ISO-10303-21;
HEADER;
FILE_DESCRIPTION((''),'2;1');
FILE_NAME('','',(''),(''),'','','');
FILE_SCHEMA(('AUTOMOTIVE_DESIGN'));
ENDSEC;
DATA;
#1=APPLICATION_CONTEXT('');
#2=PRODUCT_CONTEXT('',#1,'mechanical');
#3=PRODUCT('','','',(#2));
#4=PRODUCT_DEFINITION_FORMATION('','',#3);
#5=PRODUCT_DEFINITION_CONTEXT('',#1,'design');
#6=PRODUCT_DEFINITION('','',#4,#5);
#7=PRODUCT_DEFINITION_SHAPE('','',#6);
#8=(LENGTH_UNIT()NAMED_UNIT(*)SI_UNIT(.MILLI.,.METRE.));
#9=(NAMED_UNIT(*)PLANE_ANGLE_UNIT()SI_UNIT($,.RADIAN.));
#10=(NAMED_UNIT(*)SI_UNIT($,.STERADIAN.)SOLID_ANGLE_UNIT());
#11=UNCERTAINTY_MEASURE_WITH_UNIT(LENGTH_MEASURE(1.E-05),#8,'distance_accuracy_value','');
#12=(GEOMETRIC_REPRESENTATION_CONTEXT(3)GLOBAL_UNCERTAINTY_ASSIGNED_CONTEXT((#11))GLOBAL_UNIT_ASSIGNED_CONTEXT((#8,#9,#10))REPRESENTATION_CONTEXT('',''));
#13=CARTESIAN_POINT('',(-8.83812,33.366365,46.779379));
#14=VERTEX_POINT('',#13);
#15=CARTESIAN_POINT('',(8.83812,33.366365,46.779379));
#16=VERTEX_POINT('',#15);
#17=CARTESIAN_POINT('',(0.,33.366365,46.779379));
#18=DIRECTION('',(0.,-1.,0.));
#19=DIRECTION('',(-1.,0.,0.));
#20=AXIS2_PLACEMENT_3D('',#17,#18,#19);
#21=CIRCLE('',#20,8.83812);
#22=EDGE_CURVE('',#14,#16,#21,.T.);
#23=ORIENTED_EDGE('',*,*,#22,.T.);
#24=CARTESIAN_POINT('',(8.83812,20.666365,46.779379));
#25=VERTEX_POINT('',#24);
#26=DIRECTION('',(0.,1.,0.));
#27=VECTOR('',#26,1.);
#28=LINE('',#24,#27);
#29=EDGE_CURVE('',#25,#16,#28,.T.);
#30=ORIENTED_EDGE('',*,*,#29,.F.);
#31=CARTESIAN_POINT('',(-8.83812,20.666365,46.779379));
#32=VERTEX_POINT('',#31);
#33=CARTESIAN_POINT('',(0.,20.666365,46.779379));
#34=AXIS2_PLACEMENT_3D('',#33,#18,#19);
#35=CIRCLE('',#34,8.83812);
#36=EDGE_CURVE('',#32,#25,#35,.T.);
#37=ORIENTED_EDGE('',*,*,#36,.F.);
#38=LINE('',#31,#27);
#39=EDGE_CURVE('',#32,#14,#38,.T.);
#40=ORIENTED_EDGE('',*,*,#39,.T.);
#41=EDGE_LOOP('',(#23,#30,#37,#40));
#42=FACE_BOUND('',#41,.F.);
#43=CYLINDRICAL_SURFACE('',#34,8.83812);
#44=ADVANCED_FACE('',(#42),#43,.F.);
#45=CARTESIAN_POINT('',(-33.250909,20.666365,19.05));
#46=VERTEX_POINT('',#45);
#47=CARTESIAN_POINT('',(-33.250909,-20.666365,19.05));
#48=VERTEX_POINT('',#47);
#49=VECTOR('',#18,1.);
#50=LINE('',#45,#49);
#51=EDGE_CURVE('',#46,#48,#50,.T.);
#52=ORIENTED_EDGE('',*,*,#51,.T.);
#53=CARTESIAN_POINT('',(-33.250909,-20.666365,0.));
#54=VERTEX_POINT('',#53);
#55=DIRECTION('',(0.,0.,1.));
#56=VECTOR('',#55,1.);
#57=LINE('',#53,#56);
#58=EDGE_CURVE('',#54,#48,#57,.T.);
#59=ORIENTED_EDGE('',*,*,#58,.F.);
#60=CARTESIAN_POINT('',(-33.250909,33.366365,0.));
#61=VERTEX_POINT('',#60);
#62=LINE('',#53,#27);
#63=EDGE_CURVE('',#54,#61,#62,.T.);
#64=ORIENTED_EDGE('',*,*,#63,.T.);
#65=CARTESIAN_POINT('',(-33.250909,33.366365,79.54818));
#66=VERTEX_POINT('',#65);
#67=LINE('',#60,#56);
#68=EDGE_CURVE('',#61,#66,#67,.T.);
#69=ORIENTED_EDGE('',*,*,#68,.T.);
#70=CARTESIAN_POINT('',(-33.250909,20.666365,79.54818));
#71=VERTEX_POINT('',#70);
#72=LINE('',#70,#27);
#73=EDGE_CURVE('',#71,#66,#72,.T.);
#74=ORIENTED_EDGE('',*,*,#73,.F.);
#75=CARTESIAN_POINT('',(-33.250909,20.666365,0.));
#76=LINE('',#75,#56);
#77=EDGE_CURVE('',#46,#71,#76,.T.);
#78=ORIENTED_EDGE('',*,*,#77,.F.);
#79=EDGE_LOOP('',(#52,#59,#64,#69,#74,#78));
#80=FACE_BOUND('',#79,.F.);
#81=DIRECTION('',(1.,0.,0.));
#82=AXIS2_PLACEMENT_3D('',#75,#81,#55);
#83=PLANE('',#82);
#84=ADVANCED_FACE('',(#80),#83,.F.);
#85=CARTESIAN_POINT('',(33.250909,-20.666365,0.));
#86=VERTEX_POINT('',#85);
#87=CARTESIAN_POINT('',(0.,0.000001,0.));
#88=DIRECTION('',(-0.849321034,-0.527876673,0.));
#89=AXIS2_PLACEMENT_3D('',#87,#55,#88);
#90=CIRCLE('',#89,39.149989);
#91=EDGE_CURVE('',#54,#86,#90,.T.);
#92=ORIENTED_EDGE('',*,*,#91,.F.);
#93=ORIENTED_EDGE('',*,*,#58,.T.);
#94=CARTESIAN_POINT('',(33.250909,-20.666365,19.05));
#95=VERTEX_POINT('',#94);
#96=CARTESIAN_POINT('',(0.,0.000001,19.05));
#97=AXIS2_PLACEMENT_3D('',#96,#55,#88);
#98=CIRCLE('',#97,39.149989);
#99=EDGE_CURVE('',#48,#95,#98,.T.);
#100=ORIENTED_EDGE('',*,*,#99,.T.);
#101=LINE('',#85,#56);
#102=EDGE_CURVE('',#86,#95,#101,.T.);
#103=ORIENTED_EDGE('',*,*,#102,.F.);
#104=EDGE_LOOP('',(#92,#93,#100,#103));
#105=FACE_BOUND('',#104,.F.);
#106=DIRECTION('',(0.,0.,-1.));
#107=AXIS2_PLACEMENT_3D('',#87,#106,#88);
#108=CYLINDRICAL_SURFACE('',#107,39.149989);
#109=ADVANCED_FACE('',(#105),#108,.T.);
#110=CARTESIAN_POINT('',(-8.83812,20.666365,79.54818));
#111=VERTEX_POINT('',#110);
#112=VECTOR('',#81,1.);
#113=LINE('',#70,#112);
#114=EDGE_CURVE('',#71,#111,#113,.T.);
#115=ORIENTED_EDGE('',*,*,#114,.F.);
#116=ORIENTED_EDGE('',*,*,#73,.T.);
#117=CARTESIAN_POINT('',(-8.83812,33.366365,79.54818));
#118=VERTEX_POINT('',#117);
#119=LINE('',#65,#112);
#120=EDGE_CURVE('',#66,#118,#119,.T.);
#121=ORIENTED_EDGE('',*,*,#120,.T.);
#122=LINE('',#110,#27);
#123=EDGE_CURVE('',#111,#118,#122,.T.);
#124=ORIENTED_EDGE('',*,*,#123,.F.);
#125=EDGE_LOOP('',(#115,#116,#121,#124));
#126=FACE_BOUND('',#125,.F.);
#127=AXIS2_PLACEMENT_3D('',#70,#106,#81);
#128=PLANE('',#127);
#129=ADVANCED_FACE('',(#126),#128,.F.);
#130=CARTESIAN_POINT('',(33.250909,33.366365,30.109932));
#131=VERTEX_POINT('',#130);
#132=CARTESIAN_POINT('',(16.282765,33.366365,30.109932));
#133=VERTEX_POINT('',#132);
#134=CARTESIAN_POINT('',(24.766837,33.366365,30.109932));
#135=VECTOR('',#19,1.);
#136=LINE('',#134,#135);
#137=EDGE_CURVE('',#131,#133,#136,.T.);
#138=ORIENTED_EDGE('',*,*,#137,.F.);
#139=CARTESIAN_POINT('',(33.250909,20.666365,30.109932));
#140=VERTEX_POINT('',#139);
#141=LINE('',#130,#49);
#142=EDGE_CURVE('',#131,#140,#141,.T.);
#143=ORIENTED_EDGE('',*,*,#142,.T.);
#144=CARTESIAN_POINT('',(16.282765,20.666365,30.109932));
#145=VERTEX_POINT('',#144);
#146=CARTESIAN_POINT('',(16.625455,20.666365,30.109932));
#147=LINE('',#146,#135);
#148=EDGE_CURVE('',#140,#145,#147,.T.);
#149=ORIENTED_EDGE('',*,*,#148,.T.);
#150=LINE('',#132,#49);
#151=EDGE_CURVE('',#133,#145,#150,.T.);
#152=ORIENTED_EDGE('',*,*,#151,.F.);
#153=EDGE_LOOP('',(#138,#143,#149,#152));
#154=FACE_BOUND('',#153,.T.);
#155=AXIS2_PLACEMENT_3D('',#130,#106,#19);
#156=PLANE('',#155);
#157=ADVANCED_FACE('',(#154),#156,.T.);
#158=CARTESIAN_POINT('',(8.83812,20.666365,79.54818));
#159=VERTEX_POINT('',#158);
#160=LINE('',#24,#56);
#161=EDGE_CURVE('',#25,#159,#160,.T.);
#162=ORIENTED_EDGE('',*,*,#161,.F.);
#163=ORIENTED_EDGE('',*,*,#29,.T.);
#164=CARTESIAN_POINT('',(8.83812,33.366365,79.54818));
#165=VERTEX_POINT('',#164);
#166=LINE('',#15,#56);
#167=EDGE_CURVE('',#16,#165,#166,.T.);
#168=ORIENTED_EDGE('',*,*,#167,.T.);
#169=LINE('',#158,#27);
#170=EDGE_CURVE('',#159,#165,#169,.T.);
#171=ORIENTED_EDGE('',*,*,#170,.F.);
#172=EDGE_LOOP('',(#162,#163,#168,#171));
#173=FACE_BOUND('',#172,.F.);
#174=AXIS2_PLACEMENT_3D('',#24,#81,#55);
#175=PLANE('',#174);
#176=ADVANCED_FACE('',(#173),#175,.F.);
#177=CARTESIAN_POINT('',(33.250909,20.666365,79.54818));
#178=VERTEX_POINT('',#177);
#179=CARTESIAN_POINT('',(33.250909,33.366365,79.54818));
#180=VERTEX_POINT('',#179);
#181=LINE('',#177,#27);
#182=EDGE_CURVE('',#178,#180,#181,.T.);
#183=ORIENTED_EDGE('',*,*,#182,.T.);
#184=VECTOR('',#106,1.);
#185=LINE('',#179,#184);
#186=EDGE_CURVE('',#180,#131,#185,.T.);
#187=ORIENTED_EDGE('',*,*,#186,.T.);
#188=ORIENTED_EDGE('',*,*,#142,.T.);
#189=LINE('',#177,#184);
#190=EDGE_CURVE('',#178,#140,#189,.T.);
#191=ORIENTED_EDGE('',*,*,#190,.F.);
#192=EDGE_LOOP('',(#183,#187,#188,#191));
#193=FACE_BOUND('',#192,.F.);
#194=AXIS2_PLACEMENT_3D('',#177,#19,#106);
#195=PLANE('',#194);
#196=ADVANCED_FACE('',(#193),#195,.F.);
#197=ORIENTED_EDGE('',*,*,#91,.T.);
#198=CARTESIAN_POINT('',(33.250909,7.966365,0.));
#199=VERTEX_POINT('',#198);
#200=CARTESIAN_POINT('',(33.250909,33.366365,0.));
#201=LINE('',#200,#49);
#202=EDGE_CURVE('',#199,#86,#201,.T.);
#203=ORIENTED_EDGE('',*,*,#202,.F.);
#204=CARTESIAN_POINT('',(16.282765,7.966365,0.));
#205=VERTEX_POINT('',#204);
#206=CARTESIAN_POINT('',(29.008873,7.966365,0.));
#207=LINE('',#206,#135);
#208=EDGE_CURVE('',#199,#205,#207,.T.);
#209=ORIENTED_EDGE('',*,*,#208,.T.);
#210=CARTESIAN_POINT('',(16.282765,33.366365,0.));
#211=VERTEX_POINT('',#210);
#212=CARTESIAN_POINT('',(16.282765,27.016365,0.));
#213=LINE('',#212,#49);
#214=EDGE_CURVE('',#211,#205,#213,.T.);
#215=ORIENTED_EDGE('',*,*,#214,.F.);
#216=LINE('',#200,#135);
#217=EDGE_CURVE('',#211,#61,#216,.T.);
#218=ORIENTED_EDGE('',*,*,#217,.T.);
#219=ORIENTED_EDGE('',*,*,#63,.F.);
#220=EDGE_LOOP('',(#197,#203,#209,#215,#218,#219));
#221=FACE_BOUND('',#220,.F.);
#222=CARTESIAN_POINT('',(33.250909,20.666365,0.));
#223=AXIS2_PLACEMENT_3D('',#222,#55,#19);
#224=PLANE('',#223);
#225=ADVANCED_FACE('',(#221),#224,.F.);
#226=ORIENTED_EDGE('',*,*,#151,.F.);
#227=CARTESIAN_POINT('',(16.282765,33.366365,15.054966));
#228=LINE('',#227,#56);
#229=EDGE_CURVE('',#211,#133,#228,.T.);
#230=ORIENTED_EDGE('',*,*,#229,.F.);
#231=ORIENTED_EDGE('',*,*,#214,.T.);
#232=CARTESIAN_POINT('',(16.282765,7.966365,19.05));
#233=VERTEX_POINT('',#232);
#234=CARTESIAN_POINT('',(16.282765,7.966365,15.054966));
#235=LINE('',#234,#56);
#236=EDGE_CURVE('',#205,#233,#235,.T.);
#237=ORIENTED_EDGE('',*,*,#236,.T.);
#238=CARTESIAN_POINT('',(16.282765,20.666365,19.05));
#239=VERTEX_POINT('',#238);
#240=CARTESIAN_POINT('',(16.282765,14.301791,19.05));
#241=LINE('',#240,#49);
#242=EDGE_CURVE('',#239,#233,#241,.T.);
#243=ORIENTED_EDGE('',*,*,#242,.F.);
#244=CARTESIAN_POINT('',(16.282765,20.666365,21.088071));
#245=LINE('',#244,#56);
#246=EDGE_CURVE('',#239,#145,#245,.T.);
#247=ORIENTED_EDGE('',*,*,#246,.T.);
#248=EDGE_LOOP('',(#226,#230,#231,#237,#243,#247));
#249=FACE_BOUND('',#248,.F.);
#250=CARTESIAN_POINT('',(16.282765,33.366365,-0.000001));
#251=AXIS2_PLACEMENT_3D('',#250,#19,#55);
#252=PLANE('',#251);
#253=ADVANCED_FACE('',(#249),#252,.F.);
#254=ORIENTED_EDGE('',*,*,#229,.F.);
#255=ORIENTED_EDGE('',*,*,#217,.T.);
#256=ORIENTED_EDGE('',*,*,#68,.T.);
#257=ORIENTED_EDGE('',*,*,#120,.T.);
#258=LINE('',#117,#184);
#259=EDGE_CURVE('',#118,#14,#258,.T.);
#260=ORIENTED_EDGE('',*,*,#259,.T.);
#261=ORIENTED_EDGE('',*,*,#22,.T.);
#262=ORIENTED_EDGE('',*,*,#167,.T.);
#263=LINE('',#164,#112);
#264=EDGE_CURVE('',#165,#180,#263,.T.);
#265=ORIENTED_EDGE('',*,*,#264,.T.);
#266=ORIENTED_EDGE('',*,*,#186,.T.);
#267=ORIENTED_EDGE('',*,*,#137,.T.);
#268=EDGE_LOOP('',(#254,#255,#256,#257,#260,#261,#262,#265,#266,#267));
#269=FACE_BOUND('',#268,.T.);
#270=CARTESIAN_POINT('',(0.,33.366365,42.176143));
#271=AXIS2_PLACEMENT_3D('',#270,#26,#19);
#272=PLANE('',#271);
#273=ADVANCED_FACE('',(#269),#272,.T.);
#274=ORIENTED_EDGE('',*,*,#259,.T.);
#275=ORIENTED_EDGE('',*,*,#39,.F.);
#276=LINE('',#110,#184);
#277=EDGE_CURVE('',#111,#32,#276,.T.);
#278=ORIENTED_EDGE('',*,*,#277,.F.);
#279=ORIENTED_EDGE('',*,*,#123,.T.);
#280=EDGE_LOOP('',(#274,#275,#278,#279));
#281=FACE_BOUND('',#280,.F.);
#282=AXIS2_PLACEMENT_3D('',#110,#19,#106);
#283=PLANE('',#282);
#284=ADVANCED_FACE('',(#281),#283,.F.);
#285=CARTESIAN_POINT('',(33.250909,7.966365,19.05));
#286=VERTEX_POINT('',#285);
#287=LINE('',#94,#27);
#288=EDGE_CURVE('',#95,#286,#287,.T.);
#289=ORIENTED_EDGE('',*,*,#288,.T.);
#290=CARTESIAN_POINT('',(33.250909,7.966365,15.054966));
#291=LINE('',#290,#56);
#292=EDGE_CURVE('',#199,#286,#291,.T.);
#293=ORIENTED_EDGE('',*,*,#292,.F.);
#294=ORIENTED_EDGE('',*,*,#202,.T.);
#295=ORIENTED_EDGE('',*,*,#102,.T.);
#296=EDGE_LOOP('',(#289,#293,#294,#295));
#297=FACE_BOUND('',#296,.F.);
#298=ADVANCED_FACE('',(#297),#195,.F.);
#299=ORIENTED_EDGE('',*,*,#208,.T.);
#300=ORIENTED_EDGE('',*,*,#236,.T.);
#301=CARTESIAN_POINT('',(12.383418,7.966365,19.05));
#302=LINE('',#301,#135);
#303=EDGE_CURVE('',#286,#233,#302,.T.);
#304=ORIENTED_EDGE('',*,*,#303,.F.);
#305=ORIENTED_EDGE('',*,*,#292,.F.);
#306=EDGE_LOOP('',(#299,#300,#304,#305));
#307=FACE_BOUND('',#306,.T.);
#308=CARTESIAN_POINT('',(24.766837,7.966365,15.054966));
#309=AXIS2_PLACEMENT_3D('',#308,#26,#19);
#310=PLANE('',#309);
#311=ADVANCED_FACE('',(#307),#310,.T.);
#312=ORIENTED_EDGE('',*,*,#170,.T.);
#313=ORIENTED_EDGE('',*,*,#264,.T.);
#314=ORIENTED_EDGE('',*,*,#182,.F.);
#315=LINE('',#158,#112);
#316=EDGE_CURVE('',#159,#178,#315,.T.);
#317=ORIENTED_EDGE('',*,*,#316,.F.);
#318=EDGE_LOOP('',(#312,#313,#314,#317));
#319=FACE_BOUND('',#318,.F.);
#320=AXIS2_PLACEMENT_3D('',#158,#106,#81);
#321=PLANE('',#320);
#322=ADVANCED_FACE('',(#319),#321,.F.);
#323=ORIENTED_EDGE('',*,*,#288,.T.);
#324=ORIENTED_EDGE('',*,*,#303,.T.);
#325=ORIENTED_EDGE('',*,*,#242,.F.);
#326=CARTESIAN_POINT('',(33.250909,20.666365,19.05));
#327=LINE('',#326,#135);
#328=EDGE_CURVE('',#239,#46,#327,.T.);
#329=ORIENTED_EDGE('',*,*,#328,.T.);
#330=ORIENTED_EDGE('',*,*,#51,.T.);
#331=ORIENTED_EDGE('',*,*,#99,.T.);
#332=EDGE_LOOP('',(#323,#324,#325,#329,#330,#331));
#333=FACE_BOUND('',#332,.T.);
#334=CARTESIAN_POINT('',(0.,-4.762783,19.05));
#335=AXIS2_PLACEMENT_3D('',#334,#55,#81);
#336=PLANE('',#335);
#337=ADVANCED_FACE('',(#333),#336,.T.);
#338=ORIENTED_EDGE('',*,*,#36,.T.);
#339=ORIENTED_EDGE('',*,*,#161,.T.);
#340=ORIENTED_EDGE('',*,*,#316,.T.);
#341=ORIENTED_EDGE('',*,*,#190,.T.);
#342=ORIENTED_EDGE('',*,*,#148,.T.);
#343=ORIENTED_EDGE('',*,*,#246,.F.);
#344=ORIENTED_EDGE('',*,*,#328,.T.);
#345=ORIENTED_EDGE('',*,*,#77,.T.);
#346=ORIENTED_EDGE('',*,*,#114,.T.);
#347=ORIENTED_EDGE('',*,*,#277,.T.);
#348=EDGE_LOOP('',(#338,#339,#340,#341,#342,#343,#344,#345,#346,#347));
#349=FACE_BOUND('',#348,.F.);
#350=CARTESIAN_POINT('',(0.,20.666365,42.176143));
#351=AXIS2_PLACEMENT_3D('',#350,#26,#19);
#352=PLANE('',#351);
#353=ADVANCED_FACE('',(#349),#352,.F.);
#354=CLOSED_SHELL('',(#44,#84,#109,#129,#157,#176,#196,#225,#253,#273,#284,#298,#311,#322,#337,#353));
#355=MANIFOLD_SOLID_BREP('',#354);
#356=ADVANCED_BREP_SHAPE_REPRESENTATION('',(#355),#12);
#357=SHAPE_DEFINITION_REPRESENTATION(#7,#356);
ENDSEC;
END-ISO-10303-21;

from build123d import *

# Parameters (mm, degrees)
F1_DEPTH = 19.05
F3_DEPTH = 12.7
F4_W     = 16.968144
F4_H     = 30.109933
F5_DEPTH = 25.4


with BuildPart() as f1:
    # F0 (on Top) → F1 (new body)
    with BuildSketch(Plane.XY):
        with BuildLine():
            Line((33.250909, -20.666365), (33.250909, 20.666365))
            Line((33.250909, 20.666365), (-33.250909, 20.666365))
            Line((-33.250909, 20.666365), (-33.250909, -20.666365))
            ThreePointArc((-33.250909, -20.666365), (0, -39.149988), (33.250909, -20.666365))
        make_face()
    extrude(amount=F1_DEPTH)

    # F2 (on face) → F3 (join)
    with BuildSketch(Plane(origin=(0, 20.666365, 0), x_dir=(-1, 0, 0), z_dir=(0, 1, 0))):
        with BuildLine():
            Line((-33.250909, 19.05), (-33.250909, 0))
            Line((-33.250909, 0), (33.250909, 0))
            Line((33.250909, 0), (33.250909, 19.05))
            Line((33.250909, 19.05), (33.250909, 79.54818))
            Line((33.250909, 79.54818), (8.83812, 79.54818))
            Line((8.83812, 79.54818), (8.83812, 46.779379))
            ThreePointArc((8.83812, 46.779379), (0, 37.941259), (-8.83812, 46.779379))
            Line((-8.83812, 46.779379), (-8.83812, 79.54818))
            Line((-8.83812, 79.54818), (-15.810801, 79.54818))
            Line((-15.810801, 79.54818), (-33.250909, 79.54818))
            Line((-33.250909, 79.54818), (-33.250909, 19.05))
        make_face()
    extrude(amount=F3_DEPTH)

    # F4 (on face) → F5 (cut)
    with BuildSketch(Plane(origin=(0, 33.366365, 0), x_dir=(-1, 0, 0), z_dir=(0, 1, 0))):
        with Locations((-24.766837, 15.054966)):
            Rectangle(F4_W, F4_H)
    extrude(amount=-F5_DEPTH, mode=Mode.SUBTRACT)


solid = f1.part
